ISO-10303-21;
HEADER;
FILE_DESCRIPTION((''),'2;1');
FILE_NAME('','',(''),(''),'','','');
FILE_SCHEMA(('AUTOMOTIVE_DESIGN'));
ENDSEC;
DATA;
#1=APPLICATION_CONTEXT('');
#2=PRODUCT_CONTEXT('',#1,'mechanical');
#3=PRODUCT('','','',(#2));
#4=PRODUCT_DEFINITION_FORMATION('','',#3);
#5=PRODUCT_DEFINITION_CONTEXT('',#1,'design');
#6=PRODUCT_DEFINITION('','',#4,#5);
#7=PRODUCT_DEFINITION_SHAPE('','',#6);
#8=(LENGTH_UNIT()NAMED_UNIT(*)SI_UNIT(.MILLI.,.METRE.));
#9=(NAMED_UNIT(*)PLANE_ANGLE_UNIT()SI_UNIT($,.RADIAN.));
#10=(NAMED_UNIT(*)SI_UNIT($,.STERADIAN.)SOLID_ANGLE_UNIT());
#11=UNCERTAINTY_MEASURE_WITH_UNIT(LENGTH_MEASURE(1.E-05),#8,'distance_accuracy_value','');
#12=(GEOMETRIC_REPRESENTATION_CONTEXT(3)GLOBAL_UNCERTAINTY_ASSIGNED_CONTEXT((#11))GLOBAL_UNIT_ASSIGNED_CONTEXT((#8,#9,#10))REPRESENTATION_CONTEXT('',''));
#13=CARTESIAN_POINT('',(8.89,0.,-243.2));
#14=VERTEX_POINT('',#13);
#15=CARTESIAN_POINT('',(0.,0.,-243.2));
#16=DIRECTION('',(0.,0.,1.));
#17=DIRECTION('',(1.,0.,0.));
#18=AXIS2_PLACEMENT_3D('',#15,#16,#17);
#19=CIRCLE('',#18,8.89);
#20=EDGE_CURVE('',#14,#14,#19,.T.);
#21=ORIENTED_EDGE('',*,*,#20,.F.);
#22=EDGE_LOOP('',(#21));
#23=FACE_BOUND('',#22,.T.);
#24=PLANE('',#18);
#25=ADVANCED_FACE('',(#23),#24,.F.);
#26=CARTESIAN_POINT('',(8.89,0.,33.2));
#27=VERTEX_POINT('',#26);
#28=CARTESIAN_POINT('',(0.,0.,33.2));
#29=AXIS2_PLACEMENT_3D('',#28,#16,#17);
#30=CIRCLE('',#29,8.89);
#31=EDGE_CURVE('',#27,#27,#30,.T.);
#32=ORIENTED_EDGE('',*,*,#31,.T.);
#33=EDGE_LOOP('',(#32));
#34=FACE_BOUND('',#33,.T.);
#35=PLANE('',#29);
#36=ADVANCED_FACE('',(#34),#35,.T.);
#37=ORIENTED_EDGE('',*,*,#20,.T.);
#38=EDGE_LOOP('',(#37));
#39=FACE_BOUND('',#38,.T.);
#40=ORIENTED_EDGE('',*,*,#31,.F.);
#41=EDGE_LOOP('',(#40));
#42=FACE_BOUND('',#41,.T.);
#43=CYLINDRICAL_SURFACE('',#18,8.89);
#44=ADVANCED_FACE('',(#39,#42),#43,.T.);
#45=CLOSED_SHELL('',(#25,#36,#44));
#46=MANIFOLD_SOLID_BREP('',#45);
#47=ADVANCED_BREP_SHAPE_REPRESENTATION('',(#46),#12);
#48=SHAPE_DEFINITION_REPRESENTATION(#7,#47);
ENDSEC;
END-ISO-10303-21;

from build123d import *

# Parameters (mm, degrees)
BOSS_EXTRUDE1_DEPTH      = 33.2
BOSS_EXTRUDE1_DEPTH_BACK = 243.2
SKETCH1_R                = 8.89


with BuildPart() as part:
    # Sketch1 → Boss-Extrude1 (new, two sides: drawn at the far end of the back side and taken through both)
    with BuildSketch(Plane.XY.offset(-BOSS_EXTRUDE1_DEPTH_BACK)):
        Circle(SKETCH1_R)
    extrude(amount=BOSS_EXTRUDE1_DEPTH + BOSS_EXTRUDE1_DEPTH_BACK)


solid = part.part
